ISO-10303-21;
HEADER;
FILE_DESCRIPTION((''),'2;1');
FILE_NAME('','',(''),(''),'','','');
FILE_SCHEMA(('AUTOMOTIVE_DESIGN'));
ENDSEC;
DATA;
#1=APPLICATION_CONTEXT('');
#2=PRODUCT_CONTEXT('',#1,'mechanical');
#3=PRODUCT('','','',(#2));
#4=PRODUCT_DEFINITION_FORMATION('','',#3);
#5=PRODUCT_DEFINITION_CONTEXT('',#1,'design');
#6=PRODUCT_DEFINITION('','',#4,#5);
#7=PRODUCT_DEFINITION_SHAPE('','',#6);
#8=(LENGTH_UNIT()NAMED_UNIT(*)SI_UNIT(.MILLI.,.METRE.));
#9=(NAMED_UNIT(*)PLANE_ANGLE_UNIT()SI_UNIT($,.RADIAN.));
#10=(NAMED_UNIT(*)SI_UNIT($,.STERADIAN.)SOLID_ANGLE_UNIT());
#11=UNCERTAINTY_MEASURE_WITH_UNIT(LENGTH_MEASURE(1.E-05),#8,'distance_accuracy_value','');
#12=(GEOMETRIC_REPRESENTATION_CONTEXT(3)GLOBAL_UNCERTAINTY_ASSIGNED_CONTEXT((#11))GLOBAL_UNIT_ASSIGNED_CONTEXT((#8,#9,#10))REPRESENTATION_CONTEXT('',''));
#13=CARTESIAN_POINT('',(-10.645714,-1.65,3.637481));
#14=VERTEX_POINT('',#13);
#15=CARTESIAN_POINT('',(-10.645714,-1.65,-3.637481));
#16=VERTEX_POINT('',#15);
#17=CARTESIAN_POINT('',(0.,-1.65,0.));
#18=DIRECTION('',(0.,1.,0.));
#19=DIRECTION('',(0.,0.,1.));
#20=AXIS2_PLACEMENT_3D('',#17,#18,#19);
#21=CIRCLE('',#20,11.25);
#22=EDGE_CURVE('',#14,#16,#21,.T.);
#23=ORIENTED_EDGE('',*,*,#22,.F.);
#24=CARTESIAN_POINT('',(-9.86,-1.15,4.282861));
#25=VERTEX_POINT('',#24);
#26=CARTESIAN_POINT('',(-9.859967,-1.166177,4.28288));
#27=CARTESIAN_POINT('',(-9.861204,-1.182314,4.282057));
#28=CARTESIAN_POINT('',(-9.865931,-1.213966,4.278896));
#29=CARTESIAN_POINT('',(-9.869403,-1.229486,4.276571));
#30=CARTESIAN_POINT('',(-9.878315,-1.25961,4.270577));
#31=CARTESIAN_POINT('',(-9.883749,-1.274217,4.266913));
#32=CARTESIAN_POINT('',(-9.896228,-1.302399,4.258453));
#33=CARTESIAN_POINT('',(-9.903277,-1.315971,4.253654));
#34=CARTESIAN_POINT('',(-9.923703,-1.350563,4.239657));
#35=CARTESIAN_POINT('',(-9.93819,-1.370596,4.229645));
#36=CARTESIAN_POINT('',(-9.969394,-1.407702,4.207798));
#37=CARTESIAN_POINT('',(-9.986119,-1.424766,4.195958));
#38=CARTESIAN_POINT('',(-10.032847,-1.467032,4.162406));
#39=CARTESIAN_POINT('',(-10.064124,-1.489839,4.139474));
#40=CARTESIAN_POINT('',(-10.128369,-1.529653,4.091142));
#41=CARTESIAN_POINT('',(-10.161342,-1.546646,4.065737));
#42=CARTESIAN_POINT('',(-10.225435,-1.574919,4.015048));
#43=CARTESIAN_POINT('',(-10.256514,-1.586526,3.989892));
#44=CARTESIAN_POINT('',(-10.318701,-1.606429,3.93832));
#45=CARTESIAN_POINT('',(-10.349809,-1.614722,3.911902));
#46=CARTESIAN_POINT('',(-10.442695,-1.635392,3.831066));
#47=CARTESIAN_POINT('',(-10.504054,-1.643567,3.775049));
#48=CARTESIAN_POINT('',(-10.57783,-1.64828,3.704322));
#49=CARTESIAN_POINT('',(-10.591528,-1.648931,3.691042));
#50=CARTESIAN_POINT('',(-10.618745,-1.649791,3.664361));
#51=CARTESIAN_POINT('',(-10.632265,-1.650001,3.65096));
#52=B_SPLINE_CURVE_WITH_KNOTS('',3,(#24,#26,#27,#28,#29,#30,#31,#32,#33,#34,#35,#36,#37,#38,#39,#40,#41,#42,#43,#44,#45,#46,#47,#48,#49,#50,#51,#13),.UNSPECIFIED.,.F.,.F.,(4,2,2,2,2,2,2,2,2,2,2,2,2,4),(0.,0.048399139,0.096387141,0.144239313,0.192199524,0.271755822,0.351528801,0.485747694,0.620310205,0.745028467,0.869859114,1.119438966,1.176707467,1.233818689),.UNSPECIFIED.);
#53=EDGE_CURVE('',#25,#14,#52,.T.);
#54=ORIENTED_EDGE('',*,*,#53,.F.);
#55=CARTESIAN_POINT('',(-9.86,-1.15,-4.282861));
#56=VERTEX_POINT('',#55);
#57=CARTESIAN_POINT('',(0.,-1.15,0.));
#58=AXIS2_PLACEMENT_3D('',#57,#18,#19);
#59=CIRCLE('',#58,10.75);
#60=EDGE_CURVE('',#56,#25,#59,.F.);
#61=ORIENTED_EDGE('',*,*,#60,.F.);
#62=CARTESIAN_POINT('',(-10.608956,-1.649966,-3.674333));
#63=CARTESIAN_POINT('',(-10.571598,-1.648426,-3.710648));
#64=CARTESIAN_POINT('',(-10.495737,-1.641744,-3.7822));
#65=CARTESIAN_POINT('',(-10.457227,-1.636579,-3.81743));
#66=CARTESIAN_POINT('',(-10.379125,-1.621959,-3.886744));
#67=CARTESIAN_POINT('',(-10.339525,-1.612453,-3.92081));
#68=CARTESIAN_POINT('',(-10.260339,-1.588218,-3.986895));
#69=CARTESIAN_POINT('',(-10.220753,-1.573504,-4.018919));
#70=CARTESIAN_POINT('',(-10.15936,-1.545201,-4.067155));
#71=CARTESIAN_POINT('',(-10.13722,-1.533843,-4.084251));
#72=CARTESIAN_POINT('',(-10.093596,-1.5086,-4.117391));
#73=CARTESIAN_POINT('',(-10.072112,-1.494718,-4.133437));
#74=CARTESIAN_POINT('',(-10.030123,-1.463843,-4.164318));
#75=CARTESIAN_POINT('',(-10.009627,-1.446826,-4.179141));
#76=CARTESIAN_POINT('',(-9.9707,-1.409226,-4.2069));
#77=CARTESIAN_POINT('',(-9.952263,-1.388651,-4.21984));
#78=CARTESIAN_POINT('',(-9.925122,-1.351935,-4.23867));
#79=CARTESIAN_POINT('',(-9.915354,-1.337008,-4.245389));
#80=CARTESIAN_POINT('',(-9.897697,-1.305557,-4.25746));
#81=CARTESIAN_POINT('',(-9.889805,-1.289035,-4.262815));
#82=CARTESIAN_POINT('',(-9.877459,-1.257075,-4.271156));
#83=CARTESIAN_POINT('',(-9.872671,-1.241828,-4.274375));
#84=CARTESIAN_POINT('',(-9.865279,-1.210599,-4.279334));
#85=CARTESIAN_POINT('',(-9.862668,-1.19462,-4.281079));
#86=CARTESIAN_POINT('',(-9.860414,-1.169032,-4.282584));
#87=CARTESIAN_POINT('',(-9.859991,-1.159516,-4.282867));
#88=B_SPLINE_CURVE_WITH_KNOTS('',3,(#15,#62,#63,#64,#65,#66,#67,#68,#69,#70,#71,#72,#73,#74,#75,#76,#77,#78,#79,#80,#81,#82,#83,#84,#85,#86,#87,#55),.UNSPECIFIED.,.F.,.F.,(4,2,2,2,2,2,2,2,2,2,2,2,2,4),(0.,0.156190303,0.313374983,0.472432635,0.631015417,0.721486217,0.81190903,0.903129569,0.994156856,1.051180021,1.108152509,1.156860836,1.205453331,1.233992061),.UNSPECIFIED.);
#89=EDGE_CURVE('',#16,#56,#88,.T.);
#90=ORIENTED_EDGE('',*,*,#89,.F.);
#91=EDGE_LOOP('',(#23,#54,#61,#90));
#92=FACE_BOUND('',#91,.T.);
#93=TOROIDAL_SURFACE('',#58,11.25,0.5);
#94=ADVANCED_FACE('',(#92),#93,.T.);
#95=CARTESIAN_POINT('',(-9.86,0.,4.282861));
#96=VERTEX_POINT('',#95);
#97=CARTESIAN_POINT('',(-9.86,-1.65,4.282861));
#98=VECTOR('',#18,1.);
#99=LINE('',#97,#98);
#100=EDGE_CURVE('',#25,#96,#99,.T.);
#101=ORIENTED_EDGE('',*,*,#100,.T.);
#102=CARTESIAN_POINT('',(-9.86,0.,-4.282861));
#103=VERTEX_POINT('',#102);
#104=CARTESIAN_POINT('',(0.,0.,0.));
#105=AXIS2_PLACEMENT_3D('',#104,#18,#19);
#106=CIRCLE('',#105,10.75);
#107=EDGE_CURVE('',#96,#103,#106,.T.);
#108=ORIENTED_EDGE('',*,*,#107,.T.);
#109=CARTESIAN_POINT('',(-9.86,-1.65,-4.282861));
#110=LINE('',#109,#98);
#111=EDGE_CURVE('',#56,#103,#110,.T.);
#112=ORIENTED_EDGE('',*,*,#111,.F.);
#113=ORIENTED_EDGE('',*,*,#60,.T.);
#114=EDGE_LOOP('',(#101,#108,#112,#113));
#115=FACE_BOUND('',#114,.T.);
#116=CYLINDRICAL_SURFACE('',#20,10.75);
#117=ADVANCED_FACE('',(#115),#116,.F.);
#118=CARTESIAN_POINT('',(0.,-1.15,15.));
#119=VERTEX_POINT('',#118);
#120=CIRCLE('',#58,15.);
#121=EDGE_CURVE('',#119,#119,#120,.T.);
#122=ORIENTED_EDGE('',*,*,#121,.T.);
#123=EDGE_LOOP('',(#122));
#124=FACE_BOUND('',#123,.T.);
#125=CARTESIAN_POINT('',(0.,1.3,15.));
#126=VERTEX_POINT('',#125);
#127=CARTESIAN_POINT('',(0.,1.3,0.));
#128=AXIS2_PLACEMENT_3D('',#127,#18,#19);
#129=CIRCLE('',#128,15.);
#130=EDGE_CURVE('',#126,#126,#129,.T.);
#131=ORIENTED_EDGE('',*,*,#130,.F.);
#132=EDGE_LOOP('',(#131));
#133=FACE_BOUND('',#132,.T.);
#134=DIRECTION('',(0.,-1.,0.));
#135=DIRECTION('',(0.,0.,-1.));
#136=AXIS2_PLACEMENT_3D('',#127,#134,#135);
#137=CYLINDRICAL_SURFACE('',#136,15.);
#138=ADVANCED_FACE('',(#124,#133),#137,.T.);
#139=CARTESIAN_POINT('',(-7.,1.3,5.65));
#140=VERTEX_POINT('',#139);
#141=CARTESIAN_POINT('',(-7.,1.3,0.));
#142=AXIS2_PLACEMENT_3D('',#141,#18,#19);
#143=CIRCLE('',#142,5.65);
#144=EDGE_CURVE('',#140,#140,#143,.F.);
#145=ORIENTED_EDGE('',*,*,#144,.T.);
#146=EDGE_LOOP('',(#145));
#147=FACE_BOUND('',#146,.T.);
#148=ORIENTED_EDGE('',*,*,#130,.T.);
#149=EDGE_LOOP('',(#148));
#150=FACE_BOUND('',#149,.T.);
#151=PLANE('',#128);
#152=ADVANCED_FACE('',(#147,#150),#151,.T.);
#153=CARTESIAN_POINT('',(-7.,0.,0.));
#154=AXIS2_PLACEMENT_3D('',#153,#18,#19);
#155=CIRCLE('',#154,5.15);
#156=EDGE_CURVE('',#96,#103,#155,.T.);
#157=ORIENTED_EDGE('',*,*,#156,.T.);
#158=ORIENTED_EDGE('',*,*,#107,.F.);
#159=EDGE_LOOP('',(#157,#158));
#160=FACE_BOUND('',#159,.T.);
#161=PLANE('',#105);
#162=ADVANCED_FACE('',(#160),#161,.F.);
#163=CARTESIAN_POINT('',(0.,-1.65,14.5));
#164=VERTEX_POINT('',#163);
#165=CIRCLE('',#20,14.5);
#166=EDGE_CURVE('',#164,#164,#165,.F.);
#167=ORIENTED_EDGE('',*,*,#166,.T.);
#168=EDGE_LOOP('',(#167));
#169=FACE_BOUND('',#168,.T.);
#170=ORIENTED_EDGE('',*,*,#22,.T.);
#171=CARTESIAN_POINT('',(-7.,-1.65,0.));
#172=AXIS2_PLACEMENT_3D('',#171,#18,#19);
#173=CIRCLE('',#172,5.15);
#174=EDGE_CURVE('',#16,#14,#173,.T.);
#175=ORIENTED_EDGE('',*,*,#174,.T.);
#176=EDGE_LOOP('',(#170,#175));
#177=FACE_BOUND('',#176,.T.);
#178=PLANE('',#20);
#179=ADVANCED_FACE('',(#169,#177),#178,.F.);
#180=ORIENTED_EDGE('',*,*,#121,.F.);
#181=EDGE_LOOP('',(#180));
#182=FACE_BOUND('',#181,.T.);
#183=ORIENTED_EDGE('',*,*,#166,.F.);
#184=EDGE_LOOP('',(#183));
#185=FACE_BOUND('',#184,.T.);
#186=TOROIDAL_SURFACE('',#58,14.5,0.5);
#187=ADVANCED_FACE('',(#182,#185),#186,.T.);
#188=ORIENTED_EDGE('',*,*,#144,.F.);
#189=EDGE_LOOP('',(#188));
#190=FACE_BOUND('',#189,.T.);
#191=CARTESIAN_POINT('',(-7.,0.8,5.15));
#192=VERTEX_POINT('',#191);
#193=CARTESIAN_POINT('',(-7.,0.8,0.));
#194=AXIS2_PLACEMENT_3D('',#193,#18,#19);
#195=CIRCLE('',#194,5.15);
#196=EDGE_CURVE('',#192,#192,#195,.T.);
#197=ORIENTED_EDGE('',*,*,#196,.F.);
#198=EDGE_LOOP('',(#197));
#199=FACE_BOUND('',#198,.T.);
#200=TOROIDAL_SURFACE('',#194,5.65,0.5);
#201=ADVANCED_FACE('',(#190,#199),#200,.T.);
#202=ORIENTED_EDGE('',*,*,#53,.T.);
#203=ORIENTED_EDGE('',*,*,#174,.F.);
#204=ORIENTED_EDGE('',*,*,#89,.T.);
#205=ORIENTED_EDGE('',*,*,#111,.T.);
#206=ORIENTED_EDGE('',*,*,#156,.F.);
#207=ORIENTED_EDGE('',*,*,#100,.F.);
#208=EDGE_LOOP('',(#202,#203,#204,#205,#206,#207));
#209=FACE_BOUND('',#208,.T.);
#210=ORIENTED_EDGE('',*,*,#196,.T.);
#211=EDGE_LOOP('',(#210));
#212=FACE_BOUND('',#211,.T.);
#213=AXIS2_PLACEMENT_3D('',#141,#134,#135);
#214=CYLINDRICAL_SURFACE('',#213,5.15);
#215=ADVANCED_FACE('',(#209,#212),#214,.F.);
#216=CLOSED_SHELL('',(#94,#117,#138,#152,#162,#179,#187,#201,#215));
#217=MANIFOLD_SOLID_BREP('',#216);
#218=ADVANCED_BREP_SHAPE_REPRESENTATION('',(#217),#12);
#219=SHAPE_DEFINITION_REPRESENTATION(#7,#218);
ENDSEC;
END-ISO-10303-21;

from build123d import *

# Parameters (mm, degrees)
SKETCH1_R           = 15
SKETCH1_R_2         = 5.15
BOSS_EXTRUDE1_DEPTH = 1.3
BOSS_EXTRUDE2_START = -1.65
SKETCH1_3_R         = 15
SKETCH1_3_R_2       = 10.75
BOSS_EXTRUDE2_DEPTH = 1.65
CUT_EXTRUDE1_START  = -1.65
CUT_EXTRUDE1_DEPTH  = 1.65
FILLET5_R           = 0.5
FILLET6_R           = 0.5


with BuildPart() as part:
    # Sketch1 → Boss-Extrude1 (new body)
    with BuildSketch(Plane(origin=(0, 0, 0), x_dir=(1, 0, 0), z_dir=(0, 1, 0))):
        Circle(SKETCH1_R)
        with Locations((-7, 0)):
            Circle(SKETCH1_R_2, mode=Mode.SUBTRACT)
    extrude(amount=BOSS_EXTRUDE1_DEPTH)

    # Sketch1<3> → Boss-Extrude2 (add)
    with BuildSketch(Plane(origin=(0, 0, 0), x_dir=(1, 0, 0), z_dir=(0, 1, 0)).offset(BOSS_EXTRUDE2_START)):
        Circle(SKETCH1_3_R)
        Circle(SKETCH1_3_R_2, mode=Mode.SUBTRACT)
    extrude(amount=BOSS_EXTRUDE2_DEPTH)

    # Sketch1<4> → Cut-Extrude1 (cut)
    with BuildSketch(Plane(origin=(0, 0, 0), x_dir=(1, 0, 0), z_dir=(0, 1, 0)).offset(CUT_EXTRUDE1_START)):
        with BuildLine():
            ThreePointArc((-9.86, -4.282861193), (-10.75, 0), (-9.86, 4.282861193))
            ThreePointArc((-9.86, 4.282861193), (-12.15, 0), (-9.86, -4.282861193))
        make_face()
    extrude(amount=CUT_EXTRUDE1_DEPTH, mode=Mode.SUBTRACT)

    # Fillet5
    fillet5_edges = [part.edges().sort_by_distance(p)[0] for p in [
        (-12.15, 1.3, 0),
    ]]
    fillet(fillet5_edges, radius=FILLET5_R)

    # Fillet6
    fillet6_edges = [part.edges().sort_by_distance(p)[0] for p in [
        (10.75, -1.65, 0),
        (-15, -1.65, 0),
    ]]
    fillet(fillet6_edges, radius=FILLET6_R)


solid = part.part
